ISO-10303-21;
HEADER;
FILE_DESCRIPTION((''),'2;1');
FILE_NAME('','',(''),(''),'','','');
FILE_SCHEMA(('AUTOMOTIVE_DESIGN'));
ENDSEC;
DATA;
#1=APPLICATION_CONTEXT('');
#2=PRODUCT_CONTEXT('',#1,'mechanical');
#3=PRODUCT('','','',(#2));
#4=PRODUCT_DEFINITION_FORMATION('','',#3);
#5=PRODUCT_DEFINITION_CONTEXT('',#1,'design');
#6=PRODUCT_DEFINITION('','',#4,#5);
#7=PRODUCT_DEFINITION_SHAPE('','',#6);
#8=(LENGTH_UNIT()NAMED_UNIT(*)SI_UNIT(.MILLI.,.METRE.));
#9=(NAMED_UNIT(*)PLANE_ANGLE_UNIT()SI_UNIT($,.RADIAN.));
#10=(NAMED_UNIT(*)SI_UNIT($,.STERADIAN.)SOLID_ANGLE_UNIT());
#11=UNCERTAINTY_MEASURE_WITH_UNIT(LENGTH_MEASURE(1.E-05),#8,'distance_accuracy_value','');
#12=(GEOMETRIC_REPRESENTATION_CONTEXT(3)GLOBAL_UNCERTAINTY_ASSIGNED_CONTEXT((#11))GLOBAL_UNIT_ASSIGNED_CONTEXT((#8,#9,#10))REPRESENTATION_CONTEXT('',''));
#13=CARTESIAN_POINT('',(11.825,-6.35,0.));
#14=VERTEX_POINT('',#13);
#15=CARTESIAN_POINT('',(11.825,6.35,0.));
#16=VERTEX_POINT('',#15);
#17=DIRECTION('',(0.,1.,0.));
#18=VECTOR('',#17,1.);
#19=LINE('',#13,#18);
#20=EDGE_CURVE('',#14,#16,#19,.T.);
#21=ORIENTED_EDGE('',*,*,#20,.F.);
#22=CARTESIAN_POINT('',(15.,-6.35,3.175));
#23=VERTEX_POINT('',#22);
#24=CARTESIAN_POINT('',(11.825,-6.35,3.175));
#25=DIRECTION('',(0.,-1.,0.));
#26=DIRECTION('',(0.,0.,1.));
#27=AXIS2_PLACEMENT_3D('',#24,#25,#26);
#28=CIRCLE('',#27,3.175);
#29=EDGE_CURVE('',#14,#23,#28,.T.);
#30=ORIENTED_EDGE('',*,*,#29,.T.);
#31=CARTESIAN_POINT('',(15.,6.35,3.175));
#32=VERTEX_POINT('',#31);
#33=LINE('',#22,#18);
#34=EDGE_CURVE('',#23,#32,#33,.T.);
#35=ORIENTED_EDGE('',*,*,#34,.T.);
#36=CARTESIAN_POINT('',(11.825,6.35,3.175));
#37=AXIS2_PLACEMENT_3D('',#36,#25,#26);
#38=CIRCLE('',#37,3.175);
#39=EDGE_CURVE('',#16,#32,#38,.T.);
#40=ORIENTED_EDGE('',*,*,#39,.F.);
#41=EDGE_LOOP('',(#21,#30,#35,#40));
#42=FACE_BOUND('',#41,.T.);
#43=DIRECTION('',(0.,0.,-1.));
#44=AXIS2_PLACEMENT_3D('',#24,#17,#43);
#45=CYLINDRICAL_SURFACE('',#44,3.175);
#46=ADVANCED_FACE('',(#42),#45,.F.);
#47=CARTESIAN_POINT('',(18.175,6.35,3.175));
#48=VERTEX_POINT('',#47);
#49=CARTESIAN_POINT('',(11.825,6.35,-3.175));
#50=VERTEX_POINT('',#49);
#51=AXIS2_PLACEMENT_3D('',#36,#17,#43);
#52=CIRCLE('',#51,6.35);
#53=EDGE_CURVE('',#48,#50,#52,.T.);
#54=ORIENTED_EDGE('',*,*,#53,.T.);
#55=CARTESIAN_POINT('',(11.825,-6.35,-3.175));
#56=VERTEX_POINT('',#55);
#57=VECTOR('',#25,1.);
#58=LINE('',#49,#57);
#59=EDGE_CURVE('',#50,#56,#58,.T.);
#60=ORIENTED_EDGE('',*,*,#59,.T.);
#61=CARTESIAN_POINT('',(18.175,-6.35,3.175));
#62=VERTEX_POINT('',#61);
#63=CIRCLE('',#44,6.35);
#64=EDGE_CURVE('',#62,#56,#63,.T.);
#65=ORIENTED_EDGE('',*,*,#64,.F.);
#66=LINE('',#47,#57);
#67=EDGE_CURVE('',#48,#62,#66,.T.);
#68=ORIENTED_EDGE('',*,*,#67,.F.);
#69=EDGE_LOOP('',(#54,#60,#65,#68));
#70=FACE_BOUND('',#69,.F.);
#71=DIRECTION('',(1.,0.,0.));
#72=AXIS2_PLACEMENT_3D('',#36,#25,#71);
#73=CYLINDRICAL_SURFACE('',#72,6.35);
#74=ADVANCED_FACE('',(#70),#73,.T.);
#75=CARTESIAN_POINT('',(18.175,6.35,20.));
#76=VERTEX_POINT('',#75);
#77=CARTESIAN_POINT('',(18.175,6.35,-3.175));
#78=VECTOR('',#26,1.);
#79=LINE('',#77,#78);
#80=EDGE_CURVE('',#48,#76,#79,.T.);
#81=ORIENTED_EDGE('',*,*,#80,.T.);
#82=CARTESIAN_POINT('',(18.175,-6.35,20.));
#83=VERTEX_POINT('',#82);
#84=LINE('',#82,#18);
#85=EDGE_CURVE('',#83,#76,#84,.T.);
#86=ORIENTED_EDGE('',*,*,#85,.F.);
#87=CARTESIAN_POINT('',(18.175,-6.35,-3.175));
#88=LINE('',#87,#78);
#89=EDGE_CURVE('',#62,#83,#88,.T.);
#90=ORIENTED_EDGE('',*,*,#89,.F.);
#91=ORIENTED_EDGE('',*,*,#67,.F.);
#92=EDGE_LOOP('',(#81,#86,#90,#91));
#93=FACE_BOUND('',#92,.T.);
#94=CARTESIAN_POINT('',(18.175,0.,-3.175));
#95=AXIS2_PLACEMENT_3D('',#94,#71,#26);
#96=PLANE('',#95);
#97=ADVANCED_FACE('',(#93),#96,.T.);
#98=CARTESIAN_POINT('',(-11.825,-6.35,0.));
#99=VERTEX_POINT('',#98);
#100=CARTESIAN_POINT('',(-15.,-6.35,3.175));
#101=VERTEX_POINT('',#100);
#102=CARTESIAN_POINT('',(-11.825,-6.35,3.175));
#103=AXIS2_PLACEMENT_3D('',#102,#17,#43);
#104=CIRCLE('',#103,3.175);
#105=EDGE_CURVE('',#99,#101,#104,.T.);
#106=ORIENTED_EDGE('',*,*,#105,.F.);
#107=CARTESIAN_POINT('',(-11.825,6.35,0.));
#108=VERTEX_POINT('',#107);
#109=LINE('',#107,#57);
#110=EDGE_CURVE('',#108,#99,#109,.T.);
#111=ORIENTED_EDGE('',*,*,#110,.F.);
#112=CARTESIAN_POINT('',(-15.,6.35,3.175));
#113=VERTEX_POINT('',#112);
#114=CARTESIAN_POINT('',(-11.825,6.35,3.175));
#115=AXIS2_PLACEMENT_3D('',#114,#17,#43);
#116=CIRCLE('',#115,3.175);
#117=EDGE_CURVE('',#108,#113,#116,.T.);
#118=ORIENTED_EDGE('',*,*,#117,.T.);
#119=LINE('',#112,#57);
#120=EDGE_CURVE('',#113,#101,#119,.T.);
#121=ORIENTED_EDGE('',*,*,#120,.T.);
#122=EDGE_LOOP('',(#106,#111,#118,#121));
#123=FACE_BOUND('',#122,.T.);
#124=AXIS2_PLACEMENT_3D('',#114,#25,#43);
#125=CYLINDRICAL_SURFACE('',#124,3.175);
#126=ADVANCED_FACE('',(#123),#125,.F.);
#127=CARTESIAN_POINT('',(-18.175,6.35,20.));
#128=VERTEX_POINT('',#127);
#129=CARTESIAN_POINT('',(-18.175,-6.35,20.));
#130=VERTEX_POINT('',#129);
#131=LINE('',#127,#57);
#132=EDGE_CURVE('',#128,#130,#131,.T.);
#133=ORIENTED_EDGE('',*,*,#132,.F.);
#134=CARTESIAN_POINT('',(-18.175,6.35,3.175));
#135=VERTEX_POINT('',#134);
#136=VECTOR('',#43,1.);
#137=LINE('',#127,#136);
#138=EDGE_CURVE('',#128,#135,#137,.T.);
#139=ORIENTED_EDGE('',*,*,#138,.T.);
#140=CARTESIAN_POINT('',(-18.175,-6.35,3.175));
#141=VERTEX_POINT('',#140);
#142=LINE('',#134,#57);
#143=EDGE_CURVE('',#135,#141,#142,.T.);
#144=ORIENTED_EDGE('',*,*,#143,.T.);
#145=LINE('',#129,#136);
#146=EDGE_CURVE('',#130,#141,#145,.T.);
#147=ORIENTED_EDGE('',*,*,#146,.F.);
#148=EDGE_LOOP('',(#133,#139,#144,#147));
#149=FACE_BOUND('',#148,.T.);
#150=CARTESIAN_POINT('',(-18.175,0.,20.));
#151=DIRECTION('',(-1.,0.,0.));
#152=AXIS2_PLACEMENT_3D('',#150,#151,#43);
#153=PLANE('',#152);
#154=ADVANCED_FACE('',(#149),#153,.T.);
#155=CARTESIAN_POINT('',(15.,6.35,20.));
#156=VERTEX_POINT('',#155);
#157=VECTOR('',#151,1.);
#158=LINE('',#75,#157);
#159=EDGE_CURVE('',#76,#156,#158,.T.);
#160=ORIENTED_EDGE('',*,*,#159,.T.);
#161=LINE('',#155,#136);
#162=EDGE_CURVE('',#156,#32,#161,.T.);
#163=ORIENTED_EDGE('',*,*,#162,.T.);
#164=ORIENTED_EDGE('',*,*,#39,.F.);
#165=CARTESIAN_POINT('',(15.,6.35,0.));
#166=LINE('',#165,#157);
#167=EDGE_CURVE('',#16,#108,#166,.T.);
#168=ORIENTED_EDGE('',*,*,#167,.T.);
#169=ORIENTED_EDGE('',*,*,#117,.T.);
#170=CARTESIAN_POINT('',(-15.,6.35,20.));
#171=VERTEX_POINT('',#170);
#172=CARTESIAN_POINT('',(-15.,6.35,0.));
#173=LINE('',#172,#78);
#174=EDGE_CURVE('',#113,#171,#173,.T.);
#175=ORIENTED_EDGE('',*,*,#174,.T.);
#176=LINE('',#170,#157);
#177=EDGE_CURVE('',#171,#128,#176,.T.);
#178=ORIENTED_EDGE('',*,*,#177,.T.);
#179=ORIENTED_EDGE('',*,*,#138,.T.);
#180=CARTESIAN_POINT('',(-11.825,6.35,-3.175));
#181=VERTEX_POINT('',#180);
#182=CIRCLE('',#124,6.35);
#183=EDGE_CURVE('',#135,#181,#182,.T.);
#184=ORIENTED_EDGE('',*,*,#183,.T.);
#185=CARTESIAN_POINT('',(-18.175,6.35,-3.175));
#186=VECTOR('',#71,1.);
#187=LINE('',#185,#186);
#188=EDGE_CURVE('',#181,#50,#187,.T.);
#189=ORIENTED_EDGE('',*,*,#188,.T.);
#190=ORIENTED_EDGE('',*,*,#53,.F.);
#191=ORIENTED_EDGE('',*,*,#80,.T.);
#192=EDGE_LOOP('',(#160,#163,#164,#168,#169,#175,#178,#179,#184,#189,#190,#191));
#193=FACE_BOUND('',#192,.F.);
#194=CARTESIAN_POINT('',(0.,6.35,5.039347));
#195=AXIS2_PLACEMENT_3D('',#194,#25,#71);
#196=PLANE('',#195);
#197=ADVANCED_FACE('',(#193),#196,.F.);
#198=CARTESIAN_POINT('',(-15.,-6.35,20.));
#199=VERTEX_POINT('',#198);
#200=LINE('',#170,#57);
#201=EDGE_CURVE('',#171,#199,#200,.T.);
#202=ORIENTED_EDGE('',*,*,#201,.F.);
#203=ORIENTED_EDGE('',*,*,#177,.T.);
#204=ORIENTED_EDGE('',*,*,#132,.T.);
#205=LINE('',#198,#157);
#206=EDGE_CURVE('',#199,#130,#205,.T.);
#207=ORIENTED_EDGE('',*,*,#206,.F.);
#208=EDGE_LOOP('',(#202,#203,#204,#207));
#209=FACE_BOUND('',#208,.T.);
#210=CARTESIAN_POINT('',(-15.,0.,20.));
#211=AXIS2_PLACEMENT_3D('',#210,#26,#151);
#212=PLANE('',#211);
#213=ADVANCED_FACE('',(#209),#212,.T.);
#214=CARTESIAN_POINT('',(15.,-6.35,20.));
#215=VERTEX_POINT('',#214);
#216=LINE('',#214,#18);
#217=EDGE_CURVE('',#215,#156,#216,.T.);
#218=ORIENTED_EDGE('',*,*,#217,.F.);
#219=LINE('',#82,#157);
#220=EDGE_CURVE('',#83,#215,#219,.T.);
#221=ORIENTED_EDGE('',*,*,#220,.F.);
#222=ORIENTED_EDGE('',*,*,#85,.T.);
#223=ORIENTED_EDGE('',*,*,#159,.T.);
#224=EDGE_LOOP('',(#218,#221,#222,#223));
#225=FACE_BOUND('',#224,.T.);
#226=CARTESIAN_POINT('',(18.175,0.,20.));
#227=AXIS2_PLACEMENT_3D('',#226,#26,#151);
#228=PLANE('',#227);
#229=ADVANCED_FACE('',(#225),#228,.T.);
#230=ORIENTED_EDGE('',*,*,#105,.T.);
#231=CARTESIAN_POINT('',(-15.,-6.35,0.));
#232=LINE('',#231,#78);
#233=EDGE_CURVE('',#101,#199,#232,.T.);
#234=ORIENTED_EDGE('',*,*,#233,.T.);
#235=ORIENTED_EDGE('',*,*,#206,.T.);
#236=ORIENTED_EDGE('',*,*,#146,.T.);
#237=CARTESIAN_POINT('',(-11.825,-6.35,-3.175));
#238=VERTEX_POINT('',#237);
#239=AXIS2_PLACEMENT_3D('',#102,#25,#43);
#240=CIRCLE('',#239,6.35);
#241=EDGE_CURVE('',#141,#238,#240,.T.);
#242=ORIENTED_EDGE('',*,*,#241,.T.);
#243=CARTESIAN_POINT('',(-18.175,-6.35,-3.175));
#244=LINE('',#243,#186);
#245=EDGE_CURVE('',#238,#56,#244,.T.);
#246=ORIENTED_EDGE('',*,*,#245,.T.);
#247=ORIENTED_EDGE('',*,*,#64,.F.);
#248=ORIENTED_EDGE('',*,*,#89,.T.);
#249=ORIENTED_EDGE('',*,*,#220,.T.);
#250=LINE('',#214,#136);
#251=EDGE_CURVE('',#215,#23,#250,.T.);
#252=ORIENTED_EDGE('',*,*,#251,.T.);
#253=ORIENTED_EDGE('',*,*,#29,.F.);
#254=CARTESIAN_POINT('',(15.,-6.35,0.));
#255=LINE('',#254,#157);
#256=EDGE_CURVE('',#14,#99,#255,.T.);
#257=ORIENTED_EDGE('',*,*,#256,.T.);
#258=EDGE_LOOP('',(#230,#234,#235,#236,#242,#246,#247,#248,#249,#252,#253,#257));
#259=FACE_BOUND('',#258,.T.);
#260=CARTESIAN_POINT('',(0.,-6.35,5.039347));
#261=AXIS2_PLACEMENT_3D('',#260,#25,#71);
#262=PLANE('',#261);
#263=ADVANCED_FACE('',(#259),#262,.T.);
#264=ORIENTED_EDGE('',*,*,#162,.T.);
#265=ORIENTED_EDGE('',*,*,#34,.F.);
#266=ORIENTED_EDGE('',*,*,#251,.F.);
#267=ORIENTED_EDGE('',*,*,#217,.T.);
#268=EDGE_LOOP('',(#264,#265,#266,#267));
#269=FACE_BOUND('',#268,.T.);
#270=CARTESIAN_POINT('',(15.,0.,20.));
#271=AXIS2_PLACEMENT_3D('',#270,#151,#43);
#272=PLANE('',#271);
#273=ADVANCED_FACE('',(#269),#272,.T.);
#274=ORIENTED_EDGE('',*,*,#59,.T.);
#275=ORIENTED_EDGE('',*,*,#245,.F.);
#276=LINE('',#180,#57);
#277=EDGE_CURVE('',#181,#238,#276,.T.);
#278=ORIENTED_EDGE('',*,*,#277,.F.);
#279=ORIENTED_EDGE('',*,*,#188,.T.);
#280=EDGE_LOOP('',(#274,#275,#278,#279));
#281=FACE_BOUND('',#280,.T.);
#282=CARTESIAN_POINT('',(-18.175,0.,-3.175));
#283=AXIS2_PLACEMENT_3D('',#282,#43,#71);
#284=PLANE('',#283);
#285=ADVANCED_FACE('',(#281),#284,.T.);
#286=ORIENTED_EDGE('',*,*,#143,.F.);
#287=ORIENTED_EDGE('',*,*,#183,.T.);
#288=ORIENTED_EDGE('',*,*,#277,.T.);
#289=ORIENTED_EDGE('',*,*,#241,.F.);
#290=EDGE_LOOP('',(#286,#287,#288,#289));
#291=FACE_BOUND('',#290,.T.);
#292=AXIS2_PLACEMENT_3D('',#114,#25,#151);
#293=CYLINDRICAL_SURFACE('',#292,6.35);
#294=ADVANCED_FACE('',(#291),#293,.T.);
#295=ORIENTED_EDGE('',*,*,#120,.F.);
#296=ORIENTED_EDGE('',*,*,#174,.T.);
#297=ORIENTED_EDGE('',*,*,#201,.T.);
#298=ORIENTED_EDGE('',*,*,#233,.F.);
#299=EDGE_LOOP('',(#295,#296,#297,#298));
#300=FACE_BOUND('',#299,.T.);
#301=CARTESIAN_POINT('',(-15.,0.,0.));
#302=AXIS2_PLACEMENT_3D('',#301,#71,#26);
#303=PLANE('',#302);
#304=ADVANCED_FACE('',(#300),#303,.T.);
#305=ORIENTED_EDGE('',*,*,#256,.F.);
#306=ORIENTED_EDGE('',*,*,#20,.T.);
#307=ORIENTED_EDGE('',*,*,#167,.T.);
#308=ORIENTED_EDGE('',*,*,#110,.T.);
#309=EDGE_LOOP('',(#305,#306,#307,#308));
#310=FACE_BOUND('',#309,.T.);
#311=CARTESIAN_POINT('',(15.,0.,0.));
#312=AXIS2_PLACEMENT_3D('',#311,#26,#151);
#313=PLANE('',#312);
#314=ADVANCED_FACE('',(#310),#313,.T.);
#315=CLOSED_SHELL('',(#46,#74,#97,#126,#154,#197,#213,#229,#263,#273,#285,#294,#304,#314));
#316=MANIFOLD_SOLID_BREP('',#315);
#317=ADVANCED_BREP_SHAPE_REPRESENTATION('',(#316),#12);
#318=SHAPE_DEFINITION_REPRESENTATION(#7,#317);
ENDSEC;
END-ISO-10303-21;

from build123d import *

# Parameters (mm, degrees)
F1_DEPTH = 6.35
F2_R     = 3.175
F3_R     = 6.35


with BuildPart() as f1:
    # F0 (on Front) → F1 (new body, symmetric)
    with BuildSketch(Plane.XZ):
        Polygon((15, 0), (0, 0), (-15, 0), (-15, 20), (-18.175, 20), (-18.175, -3.175), (0, -3.175), (18.175, -3.175), (18.175, 20), (15, 20), align=None)
    extrude(amount=F1_DEPTH, both=True)

    # F2
    f2_edges = [f1.edges().sort_by_distance(p)[0] for p in [
        (15, 0, 0),
        (-15, 0, 0),
    ]]
    fillet(f2_edges, radius=F2_R)

    # F3
    f3_edges = [f1.edges().sort_by_distance(p)[0] for p in [
        (-18.175, 0, -3.175),
        (18.175, 0, -3.175),
    ]]
    fillet(f3_edges, radius=F3_R)


solid = f1.part
